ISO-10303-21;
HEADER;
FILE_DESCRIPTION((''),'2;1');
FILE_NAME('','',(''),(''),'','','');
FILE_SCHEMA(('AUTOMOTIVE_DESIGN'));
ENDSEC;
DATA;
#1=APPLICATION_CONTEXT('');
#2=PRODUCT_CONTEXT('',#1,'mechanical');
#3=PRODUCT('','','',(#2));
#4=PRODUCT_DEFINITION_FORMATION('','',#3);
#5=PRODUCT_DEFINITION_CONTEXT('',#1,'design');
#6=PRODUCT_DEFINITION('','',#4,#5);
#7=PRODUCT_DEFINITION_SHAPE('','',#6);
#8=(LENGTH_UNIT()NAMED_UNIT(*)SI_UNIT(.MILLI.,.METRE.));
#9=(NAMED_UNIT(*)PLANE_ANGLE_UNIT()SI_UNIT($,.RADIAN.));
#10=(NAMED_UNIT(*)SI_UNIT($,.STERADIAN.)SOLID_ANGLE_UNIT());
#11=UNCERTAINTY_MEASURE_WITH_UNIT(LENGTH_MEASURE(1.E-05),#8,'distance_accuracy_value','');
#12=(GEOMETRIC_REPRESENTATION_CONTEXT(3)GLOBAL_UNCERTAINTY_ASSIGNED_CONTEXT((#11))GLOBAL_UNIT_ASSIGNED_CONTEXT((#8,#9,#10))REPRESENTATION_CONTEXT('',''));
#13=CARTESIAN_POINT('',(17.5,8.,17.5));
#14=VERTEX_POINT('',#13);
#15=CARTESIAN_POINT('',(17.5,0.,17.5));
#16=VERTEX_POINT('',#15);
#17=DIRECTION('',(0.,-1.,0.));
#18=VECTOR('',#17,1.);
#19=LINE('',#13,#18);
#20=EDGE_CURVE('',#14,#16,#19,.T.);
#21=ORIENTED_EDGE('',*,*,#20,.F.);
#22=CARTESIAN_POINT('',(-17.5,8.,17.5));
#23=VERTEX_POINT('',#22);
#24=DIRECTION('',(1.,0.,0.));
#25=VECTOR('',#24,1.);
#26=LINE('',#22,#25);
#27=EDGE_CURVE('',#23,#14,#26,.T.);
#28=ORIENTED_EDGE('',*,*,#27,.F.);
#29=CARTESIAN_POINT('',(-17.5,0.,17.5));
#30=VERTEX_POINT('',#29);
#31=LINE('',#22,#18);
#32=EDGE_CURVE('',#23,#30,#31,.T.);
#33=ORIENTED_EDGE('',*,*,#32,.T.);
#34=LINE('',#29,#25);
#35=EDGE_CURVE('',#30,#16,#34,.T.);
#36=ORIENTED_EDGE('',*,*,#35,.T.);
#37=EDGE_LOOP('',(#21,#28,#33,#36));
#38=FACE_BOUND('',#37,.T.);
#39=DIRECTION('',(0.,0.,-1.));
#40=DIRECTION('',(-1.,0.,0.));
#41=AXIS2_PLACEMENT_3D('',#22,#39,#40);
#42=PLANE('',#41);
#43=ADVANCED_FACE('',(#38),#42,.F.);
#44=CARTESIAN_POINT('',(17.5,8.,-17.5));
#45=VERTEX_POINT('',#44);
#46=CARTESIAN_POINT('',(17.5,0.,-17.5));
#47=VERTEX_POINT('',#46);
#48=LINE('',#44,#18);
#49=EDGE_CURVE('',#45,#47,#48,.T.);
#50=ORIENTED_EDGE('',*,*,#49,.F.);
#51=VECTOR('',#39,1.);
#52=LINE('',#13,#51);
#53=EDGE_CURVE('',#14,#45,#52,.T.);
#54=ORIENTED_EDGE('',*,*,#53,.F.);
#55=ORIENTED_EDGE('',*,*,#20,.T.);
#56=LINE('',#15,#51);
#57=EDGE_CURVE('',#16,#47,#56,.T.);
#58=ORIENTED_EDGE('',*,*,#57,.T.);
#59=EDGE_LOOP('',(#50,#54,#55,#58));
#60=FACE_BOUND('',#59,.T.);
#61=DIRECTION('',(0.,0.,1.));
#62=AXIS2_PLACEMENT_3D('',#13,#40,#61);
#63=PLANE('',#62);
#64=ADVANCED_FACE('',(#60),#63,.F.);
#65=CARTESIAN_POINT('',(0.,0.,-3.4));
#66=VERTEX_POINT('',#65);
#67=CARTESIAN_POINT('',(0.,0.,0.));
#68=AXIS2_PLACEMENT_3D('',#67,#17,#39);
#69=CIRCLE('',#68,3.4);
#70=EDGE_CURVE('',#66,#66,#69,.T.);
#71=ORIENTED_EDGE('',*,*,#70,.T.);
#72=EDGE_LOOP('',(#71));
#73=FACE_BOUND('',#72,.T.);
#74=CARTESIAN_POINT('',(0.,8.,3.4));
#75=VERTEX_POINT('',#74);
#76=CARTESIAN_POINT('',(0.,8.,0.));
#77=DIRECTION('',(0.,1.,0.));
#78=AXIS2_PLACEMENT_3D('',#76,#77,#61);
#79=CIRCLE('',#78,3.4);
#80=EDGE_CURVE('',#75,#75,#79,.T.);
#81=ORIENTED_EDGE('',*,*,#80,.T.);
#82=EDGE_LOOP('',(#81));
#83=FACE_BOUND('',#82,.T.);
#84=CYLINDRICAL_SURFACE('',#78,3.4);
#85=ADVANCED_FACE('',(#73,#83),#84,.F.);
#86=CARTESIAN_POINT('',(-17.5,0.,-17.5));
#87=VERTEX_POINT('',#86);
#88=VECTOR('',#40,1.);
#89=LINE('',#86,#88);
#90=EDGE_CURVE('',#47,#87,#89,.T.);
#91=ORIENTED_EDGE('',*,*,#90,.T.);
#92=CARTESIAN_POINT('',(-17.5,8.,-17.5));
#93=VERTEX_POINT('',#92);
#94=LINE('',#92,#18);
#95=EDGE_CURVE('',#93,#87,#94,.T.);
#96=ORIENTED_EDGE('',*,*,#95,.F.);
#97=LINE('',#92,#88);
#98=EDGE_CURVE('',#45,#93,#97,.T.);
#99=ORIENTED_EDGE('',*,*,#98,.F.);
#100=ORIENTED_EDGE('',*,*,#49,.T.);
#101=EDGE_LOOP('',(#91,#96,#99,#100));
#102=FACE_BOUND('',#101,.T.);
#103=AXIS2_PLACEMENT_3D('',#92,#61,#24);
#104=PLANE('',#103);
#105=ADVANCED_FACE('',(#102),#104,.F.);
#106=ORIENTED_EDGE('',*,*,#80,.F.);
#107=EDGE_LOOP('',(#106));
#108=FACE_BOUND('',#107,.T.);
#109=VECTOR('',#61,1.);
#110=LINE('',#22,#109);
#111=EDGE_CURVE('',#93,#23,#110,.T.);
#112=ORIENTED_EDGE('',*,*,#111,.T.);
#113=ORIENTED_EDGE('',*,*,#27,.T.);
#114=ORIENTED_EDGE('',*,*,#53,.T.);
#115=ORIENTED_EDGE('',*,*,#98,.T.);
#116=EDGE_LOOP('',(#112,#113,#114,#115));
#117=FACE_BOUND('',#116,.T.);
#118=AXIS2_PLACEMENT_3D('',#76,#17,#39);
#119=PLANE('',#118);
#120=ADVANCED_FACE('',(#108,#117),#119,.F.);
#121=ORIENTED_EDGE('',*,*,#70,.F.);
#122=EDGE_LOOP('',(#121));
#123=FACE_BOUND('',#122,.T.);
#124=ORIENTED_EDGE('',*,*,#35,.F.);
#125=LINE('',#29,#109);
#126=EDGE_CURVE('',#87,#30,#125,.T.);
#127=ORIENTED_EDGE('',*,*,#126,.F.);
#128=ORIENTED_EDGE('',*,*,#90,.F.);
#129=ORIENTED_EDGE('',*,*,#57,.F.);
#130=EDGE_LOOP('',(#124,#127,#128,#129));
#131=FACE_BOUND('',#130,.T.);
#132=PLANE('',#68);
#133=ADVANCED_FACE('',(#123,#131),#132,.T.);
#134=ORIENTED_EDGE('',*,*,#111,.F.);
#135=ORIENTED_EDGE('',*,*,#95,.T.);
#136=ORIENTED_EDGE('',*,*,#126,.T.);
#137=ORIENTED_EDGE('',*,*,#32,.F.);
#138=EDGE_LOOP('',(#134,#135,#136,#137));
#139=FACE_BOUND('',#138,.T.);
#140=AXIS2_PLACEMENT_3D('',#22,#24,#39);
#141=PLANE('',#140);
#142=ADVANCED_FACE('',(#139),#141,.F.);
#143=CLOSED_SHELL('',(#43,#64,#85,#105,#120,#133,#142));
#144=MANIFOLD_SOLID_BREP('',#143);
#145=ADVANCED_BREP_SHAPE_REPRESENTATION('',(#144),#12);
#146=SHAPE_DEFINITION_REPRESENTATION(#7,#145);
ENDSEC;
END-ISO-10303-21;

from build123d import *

# Parameters (mm, degrees)
SKETCH_1_W         = 35
SKETCH_1_H         = 35
EXTRUDE_1_DEPTH    = 8
HOLE_WIZARD_M8_1_D = 6.8


with BuildPart() as part:
    # 草图1 → 凸台-拉伸1 (new body)
    with BuildSketch(Plane(origin=(0, 0, 0), x_dir=(1, 0, 0), z_dir=(0, 1, 0))):
        Rectangle(SKETCH_1_W, SKETCH_1_H)
    extrude(amount=EXTRUDE_1_DEPTH)

    # M8 螺纹孔1 (through all)
    with Locations(Plane(origin=(0, 8, 0), x_dir=(1, 0, 0), z_dir=(0, 1, 0))):
        with Locations((0, 0)):
            Hole(HOLE_WIZARD_M8_1_D / 2)


solid = part.part
